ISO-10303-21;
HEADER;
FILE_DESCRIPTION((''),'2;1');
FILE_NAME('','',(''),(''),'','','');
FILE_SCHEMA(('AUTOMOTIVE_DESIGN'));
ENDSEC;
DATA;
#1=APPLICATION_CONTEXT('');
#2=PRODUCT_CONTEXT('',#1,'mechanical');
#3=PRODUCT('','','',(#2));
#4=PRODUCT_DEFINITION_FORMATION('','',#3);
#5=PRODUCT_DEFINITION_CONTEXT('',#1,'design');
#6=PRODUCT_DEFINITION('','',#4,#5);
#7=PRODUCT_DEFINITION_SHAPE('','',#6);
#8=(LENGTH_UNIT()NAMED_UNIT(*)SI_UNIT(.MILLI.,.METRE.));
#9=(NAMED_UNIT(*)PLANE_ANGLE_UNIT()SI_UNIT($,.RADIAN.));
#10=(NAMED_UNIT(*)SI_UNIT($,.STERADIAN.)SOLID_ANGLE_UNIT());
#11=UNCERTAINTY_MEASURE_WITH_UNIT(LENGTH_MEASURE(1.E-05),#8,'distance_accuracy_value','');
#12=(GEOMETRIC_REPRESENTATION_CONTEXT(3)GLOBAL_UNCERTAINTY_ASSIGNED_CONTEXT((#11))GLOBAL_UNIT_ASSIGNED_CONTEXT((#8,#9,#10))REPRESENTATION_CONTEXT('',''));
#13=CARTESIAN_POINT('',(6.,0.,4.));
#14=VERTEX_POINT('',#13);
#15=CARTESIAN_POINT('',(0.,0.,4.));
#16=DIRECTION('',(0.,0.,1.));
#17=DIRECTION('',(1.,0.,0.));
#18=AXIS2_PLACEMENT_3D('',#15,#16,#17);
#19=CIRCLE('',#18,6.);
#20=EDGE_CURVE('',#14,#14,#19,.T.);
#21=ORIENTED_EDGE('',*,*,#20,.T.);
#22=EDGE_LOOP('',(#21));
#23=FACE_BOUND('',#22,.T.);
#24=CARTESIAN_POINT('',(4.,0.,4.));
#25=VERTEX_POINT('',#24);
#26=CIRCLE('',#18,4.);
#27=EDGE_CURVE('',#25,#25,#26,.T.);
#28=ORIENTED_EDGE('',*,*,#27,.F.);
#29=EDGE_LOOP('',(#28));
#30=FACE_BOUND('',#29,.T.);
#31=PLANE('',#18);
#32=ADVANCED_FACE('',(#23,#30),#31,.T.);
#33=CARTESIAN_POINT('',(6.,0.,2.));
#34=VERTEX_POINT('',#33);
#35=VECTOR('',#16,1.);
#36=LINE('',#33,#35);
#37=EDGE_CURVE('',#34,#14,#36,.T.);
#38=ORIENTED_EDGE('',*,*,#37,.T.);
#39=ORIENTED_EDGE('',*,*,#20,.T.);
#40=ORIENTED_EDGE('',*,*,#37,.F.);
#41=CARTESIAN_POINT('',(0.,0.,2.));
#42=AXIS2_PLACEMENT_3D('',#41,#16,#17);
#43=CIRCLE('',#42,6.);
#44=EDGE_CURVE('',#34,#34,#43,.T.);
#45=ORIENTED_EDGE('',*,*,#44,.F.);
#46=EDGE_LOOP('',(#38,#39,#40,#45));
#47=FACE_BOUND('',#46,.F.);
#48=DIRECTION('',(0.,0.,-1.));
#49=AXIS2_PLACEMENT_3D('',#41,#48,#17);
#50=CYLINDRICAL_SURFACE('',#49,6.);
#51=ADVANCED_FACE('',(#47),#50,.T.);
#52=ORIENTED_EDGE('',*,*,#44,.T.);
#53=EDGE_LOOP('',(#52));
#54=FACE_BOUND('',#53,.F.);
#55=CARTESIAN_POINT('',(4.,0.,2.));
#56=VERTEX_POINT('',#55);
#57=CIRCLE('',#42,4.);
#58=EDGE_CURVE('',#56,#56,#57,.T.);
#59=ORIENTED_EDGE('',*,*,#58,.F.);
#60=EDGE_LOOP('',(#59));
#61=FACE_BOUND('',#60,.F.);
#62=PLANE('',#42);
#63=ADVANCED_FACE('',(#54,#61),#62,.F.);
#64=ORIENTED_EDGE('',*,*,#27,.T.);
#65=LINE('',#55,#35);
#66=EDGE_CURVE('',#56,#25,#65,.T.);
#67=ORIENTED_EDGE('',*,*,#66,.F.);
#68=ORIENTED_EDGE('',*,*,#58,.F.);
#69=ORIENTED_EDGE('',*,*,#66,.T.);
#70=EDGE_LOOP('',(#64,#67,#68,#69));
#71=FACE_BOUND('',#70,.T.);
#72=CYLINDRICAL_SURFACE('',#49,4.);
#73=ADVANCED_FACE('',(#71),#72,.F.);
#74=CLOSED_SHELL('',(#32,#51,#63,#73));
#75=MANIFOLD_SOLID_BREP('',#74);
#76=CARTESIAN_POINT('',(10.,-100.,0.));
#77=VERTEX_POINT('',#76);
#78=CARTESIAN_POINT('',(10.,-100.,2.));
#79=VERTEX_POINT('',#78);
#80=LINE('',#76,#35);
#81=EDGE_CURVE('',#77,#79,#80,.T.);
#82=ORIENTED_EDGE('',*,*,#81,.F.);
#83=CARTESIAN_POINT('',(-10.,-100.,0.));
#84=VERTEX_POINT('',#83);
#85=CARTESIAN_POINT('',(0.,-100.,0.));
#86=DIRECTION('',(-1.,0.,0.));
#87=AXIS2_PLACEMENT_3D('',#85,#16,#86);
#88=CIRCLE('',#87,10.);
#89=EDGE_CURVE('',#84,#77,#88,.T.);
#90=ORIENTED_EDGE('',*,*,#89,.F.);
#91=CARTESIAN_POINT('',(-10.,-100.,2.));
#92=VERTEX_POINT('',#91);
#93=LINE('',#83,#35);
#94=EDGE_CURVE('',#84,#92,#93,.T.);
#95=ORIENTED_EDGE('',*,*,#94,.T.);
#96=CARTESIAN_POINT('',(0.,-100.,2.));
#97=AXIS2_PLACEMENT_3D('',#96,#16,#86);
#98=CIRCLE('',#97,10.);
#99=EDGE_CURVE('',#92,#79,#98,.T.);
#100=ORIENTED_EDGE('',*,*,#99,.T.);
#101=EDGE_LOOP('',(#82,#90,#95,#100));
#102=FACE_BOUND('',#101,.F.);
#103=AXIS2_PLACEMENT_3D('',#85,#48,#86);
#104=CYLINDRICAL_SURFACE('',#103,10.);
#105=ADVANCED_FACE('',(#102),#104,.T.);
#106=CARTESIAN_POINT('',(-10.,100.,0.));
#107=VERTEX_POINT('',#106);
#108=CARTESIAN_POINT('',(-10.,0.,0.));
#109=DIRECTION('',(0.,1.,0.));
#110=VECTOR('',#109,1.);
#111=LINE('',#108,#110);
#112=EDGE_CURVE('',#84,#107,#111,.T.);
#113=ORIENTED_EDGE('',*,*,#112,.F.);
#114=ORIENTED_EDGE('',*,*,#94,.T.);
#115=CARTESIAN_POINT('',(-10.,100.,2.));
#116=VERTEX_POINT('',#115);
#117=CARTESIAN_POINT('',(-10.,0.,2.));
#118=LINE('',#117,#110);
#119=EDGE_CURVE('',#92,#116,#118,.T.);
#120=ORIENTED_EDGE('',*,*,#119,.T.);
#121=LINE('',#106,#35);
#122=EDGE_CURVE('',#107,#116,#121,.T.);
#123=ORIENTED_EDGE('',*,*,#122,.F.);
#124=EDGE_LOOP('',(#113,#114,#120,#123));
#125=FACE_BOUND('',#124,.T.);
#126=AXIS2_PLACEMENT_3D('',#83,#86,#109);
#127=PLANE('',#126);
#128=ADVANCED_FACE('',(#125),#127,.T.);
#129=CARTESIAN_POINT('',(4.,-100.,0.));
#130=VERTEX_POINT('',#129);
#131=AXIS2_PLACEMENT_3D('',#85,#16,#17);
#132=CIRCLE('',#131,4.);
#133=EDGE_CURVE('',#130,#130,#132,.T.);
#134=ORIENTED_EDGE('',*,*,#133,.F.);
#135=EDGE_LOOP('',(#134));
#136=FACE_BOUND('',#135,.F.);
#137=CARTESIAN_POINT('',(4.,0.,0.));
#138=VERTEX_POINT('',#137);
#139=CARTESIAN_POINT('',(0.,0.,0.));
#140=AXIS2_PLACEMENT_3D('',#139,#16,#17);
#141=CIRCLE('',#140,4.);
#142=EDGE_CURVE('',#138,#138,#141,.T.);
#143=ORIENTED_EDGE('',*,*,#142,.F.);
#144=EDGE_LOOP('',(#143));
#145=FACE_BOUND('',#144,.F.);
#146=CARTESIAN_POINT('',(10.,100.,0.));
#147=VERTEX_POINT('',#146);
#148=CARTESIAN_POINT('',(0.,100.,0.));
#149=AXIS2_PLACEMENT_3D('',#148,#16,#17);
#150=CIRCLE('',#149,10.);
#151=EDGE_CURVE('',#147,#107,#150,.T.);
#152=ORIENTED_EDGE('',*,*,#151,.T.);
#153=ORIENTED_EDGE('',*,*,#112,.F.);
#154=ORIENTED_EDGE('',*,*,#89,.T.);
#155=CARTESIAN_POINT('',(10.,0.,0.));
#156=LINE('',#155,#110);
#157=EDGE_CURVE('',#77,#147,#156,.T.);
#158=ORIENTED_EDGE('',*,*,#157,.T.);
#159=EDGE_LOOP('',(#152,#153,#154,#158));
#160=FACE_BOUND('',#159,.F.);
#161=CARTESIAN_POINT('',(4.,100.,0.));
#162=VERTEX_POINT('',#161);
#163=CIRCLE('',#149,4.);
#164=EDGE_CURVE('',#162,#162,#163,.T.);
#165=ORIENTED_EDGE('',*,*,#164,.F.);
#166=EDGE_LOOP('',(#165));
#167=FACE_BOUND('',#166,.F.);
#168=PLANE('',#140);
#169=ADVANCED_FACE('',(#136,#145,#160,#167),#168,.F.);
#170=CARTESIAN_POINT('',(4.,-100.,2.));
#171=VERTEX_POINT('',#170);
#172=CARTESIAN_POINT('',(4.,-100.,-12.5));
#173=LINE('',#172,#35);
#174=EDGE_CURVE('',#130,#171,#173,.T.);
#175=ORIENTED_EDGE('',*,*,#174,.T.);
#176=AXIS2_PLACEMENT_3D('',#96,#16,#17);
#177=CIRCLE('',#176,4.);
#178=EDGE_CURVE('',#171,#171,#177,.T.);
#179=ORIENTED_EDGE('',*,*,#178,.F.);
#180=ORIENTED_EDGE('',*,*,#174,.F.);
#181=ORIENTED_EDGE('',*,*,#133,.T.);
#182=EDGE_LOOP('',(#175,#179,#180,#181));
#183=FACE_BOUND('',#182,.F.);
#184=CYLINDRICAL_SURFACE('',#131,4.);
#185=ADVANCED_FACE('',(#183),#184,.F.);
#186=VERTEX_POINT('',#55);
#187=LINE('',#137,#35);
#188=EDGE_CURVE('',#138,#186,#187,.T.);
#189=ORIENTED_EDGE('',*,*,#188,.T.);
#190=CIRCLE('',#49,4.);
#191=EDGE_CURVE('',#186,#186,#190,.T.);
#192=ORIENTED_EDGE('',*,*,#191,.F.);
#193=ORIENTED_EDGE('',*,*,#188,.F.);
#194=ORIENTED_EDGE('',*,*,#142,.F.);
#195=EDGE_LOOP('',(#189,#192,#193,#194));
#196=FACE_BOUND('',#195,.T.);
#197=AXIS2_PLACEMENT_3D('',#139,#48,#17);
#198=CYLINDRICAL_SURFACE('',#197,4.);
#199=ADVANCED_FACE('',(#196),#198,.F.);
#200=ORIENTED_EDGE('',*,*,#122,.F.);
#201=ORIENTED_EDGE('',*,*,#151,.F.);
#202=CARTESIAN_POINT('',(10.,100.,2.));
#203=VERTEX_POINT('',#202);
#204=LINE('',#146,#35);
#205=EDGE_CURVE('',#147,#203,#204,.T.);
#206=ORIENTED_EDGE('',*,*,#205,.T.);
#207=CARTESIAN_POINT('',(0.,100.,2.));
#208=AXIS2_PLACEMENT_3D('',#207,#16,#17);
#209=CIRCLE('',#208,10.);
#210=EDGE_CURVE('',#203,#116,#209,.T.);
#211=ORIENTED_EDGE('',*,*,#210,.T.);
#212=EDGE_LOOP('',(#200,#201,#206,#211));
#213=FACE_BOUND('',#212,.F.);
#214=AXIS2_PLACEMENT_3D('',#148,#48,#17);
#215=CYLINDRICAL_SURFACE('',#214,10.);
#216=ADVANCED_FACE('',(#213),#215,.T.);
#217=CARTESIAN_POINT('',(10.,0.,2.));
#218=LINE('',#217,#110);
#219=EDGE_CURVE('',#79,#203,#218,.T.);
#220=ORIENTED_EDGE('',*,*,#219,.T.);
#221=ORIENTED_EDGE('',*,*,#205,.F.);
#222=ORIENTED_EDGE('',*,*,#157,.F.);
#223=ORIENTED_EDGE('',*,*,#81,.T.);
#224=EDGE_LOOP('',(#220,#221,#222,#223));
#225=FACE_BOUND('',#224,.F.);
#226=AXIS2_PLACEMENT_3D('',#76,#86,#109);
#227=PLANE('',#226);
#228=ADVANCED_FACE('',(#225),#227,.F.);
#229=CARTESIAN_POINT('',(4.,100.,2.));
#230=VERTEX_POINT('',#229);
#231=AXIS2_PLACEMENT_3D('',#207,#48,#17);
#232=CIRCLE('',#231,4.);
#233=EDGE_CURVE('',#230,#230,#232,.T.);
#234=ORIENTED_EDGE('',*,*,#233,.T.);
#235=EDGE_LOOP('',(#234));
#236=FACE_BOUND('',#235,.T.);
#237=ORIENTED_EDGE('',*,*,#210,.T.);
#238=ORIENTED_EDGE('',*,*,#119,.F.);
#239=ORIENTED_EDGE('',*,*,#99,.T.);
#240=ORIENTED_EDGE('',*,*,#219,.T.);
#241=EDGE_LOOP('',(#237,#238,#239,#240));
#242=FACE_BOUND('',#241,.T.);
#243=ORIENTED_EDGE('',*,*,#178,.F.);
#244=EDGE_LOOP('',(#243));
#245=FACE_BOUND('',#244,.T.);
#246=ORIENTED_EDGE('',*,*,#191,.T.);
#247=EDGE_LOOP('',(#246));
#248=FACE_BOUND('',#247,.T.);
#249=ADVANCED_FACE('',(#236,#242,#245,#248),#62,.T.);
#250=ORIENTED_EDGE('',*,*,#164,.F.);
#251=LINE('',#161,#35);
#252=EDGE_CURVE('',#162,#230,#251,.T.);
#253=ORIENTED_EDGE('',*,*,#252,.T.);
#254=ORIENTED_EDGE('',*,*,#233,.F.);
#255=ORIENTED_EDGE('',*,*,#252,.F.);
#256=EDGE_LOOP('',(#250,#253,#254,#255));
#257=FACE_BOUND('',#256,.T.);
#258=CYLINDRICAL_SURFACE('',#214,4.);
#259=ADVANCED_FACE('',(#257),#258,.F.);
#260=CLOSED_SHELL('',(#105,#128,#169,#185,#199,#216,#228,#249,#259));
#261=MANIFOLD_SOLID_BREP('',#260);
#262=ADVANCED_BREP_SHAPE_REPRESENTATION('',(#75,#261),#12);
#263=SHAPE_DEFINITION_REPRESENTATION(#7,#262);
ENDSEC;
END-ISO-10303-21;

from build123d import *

# Parameters (mm, degrees)
F0_W     = 20
F0_H     = 200
F1_DEPTH = 2
F2_R     = 4
F3_DEPTH = 12.5
F4_R     = 6
F4_R_2   = 4
F5_DEPTH = 2


with BuildPart() as f1:
    # F0 (on Top) → F1 (new body)
    with BuildSketch(Plane.XY):
        Rectangle(F0_W, F0_H)
        with BuildLine():
            Line((-10, 100), (10, 100))
            ThreePointArc((10, 100), (0, 110), (-10, 100))
        make_face()
        with BuildLine():
            ThreePointArc((-10, -100), (0, -110), (10, -100))
            Line((10, -100), (-10, -100))
        make_face()
    extrude(amount=F1_DEPTH)

    # F2 (on Top) → F3 (cut, symmetric)
    with BuildSketch(Plane.XY):
        with Locations((0, 100)):
            Circle(F2_R)
        Circle(F2_R)
        with Locations((0, -100)):
            Circle(F2_R)
    extrude(amount=F3_DEPTH, both=True, mode=Mode.SUBTRACT)


with BuildPart() as f5:
    # F4 (on face) → F5 (new body)
    with BuildSketch(Plane.XY.offset(2)):
        Circle(F4_R)
        Circle(F4_R_2, mode=Mode.SUBTRACT)
    extrude(amount=F5_DEPTH)


solid = Compound([f1.part, f5.part])
